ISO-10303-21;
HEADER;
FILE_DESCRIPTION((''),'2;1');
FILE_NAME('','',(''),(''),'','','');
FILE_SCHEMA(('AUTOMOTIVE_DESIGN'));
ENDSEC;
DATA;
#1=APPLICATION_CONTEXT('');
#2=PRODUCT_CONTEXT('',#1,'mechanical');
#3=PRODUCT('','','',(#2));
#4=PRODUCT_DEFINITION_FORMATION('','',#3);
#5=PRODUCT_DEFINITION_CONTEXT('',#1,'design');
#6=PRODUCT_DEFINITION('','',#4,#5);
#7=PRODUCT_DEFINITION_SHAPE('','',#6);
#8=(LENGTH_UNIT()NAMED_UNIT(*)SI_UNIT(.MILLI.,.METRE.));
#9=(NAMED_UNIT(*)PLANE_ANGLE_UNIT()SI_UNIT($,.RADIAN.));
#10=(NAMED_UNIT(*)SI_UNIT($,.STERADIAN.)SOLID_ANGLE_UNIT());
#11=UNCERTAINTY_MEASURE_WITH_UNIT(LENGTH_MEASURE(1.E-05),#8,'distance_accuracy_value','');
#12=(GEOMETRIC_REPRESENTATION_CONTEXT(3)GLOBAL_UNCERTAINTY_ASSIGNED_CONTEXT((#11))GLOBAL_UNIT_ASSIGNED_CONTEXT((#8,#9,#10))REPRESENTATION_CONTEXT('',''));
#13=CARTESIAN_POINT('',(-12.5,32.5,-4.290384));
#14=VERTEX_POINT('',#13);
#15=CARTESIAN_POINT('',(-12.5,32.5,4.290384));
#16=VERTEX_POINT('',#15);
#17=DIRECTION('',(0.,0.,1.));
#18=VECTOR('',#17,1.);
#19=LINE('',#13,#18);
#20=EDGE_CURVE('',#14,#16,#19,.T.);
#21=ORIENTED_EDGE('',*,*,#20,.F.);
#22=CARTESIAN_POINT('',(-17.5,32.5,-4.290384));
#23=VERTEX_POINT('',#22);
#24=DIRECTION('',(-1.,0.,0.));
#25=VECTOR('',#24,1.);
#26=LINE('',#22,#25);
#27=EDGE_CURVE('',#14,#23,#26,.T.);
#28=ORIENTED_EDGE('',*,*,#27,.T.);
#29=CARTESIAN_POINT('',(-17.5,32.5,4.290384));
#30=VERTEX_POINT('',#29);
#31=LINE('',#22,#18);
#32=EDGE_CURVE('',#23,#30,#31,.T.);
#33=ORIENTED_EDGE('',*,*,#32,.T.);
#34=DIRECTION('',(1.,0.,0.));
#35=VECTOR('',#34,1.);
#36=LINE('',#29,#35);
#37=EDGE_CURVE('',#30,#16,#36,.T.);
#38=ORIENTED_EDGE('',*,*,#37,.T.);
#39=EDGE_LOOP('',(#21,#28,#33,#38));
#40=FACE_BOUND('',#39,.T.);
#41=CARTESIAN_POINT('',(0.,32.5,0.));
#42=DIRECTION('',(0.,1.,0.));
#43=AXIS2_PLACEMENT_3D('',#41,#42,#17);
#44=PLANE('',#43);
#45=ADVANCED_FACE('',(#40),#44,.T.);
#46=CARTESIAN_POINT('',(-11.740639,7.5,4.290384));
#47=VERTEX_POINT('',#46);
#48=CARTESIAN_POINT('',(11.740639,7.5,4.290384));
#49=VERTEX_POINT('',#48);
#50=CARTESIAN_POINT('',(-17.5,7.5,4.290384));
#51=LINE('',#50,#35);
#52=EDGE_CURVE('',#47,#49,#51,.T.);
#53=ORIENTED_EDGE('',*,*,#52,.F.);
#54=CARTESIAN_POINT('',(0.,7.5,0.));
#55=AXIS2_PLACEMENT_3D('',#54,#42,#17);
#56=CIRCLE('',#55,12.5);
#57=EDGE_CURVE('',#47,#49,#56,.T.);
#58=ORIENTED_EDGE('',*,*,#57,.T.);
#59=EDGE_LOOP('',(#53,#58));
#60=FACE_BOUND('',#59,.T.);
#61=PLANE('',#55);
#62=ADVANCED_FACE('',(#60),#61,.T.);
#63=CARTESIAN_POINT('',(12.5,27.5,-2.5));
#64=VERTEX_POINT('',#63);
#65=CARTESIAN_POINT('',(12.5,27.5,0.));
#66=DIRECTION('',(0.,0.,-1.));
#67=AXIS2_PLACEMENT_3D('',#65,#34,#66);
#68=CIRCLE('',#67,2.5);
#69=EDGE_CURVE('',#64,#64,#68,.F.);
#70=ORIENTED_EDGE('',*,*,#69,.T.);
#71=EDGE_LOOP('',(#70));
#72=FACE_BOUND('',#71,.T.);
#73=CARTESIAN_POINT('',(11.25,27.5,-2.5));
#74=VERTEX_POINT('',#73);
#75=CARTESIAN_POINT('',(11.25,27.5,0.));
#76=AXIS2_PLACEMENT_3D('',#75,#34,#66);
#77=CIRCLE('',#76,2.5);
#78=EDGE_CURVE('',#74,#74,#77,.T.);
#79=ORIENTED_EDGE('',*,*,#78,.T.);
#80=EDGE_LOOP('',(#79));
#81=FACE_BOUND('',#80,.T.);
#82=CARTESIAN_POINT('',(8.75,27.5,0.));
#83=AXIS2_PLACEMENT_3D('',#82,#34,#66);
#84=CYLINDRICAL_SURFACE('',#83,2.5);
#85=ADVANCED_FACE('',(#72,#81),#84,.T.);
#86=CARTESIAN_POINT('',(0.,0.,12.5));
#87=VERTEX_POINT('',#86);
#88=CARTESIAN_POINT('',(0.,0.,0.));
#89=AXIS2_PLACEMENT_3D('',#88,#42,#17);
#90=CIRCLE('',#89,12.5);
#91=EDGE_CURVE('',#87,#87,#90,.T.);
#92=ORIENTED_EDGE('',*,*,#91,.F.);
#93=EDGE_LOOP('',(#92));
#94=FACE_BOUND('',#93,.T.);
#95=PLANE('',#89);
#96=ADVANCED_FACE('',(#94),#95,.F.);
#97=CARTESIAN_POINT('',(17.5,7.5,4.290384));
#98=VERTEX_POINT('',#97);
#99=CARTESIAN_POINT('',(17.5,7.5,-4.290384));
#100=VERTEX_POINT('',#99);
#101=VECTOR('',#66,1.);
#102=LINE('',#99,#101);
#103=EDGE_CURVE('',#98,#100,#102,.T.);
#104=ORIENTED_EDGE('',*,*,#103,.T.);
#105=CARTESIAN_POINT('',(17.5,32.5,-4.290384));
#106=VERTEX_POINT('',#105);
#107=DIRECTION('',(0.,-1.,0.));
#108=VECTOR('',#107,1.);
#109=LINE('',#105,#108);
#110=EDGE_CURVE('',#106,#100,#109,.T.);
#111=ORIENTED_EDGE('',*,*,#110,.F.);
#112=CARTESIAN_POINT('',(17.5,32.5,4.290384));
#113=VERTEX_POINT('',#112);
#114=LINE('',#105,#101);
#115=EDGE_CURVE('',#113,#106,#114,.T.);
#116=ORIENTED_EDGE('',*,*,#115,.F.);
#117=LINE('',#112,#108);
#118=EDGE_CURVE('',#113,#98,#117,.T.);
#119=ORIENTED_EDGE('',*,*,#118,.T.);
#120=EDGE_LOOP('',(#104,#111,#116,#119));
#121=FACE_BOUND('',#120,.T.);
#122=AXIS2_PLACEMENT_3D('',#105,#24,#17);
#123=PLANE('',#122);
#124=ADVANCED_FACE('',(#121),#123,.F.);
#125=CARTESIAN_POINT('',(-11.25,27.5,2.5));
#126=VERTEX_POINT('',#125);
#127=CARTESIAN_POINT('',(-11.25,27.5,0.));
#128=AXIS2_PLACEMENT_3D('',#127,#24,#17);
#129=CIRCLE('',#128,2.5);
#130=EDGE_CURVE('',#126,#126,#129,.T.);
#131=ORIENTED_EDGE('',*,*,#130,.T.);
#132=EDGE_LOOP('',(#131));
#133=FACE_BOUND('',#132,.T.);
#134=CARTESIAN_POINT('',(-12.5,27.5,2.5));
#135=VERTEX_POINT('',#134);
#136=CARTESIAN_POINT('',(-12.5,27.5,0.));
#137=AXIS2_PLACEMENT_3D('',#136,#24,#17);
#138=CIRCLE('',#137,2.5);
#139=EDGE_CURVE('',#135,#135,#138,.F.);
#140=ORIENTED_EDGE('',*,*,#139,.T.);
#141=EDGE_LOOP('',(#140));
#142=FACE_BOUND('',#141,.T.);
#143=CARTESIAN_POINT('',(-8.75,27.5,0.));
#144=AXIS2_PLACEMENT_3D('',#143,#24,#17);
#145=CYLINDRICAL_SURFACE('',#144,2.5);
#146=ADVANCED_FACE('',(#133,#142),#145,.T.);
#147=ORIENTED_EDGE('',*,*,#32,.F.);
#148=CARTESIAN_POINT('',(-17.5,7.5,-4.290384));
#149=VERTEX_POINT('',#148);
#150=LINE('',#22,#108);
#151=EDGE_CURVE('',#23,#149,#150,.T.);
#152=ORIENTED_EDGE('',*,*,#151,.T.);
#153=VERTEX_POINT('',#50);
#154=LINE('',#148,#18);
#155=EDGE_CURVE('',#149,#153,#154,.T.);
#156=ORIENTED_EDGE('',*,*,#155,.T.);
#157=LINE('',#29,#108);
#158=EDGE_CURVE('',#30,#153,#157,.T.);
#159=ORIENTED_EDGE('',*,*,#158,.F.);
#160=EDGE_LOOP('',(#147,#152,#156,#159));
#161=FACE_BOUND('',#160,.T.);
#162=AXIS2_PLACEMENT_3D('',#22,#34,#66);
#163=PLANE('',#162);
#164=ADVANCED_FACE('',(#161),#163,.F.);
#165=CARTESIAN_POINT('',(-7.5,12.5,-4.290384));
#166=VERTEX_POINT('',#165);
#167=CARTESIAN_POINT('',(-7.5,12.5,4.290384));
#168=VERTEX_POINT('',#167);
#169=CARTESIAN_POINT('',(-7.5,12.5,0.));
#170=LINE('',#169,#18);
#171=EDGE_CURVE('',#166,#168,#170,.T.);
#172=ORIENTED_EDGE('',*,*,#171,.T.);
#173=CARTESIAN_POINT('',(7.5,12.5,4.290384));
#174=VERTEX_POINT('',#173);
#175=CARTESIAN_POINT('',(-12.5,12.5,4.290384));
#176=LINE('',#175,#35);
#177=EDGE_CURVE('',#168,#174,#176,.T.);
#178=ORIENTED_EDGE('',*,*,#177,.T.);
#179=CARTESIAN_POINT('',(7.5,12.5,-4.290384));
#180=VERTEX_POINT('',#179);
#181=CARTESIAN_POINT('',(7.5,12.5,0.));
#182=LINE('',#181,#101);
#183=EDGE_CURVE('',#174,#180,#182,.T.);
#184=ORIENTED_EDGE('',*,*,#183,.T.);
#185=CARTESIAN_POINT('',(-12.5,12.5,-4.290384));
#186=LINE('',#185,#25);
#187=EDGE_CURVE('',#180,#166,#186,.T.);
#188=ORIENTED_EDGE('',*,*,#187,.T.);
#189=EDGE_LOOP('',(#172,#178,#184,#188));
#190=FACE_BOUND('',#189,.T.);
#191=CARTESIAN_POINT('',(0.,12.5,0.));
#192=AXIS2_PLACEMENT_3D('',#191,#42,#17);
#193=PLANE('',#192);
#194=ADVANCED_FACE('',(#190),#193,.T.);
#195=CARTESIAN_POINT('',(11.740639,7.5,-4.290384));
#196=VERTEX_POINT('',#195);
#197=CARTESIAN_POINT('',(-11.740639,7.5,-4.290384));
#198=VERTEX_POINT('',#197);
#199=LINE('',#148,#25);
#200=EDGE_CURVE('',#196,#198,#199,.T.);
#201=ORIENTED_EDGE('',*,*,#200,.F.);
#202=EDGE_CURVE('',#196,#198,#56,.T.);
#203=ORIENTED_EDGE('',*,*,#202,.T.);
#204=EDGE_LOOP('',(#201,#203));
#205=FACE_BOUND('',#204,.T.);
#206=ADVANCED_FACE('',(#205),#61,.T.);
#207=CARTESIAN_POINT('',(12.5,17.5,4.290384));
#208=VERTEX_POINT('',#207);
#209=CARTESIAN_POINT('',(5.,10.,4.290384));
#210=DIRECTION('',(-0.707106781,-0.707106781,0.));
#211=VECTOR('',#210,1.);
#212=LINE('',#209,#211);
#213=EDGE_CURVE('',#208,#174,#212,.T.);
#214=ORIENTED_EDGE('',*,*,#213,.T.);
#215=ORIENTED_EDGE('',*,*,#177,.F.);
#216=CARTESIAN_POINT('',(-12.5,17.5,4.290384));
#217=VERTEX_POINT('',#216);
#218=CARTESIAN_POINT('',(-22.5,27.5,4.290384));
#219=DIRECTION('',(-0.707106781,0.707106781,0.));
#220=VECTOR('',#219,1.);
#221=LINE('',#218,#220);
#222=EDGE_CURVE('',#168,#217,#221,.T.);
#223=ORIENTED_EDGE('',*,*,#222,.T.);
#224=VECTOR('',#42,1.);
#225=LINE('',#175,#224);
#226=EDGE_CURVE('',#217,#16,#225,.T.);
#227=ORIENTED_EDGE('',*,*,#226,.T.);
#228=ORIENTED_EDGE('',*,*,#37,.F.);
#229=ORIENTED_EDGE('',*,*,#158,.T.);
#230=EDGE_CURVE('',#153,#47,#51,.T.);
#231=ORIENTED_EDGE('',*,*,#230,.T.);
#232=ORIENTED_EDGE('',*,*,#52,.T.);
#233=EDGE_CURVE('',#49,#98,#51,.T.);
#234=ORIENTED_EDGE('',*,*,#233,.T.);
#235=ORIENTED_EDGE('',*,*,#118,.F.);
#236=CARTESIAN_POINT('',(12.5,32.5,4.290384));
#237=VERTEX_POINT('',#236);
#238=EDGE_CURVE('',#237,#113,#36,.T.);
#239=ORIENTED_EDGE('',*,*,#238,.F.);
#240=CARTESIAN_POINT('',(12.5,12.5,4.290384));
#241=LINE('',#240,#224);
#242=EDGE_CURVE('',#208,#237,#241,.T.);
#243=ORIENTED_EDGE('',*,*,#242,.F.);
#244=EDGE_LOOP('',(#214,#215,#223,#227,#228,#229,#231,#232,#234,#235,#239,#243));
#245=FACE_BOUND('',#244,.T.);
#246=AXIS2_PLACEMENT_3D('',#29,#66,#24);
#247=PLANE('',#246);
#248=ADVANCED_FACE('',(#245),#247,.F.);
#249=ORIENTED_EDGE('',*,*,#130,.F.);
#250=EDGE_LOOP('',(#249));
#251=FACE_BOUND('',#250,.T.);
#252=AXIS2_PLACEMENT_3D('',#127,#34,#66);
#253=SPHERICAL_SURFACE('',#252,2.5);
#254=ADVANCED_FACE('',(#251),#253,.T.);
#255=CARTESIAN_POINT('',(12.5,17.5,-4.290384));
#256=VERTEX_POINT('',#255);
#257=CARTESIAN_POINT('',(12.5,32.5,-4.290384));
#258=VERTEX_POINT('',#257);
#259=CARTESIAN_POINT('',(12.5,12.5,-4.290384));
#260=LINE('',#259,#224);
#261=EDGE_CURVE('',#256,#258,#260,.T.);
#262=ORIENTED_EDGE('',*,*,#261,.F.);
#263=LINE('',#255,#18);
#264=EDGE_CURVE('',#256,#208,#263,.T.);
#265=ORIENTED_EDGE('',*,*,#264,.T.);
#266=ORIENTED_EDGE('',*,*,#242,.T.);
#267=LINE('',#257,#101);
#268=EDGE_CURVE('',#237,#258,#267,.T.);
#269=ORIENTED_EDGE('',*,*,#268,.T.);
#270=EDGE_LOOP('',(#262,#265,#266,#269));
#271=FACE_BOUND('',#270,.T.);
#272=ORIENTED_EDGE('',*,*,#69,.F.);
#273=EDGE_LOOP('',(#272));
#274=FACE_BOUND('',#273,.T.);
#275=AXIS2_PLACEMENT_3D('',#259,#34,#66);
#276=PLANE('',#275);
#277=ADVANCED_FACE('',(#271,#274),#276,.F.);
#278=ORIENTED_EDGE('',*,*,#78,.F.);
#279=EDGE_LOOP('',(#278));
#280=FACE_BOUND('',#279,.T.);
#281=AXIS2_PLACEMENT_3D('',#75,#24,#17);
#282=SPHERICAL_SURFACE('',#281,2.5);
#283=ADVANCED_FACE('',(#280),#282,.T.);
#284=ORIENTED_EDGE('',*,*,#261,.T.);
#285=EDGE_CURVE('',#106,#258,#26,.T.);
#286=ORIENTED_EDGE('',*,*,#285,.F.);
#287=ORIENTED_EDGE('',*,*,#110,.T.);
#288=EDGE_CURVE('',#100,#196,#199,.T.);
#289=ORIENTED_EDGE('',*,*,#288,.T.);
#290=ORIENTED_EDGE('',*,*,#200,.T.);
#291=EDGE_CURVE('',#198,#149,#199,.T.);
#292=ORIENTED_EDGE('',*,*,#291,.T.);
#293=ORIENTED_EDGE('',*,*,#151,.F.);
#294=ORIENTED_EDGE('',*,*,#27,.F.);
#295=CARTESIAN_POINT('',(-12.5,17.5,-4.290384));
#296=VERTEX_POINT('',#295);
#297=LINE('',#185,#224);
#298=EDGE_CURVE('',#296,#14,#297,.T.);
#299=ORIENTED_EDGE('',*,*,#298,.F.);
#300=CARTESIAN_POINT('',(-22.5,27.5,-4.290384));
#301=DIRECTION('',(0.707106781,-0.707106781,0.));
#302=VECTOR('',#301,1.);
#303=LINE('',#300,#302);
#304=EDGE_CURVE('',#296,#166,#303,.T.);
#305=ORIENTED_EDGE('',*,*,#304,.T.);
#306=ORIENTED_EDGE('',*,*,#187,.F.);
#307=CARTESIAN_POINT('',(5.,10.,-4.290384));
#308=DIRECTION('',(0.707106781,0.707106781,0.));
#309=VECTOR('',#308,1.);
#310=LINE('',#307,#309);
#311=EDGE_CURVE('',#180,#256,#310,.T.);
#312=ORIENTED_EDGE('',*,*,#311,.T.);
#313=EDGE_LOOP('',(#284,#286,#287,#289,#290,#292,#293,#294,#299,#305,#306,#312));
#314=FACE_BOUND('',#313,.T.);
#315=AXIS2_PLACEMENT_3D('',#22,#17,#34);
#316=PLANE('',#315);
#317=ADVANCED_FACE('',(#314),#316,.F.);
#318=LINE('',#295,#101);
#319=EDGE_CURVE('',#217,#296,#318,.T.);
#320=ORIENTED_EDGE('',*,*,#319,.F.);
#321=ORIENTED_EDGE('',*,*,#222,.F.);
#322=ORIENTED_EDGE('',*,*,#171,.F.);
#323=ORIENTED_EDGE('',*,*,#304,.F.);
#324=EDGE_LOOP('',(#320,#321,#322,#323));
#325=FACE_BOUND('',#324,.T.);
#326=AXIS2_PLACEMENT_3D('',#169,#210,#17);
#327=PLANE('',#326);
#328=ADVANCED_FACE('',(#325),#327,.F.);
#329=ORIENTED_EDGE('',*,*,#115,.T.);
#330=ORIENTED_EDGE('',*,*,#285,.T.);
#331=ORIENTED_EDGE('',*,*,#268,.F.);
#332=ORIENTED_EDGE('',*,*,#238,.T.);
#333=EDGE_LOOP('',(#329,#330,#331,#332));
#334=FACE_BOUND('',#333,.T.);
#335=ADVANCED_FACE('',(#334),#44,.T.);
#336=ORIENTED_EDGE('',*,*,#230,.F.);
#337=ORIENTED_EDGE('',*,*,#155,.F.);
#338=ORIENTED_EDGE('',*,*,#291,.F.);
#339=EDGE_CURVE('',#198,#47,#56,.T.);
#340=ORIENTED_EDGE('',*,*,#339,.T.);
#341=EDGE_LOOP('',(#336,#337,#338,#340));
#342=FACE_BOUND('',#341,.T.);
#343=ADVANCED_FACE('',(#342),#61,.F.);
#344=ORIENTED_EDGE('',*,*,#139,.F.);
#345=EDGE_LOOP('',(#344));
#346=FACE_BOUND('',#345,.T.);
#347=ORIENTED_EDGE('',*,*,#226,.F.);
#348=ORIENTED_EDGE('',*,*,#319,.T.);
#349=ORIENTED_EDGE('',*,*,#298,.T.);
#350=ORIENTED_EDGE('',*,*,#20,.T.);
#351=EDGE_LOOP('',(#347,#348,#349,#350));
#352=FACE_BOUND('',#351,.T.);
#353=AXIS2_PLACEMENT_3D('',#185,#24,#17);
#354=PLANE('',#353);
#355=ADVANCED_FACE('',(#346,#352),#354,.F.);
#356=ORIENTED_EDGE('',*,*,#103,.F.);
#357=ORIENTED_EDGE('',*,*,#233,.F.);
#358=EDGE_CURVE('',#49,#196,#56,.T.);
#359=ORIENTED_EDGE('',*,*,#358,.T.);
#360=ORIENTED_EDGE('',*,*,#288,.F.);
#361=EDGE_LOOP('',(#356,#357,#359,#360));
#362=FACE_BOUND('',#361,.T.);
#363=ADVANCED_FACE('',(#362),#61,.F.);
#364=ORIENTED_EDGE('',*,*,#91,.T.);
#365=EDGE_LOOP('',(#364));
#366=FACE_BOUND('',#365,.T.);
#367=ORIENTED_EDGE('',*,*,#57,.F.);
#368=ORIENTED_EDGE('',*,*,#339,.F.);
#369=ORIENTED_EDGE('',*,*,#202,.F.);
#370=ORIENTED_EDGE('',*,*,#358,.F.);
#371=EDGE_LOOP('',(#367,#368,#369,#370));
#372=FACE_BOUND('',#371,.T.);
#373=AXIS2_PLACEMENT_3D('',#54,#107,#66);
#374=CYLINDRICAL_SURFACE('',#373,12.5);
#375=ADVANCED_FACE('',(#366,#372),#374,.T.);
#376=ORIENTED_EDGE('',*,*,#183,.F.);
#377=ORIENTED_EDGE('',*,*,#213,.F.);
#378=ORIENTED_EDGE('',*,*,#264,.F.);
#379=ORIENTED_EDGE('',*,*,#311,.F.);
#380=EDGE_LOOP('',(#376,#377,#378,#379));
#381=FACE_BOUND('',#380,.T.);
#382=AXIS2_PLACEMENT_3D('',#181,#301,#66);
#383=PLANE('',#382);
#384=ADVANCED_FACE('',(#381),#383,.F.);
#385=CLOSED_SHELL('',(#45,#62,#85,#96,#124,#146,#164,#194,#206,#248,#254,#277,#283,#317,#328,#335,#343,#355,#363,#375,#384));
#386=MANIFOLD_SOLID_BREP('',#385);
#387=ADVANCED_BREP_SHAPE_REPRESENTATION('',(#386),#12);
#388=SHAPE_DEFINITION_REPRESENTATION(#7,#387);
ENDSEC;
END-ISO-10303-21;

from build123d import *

# Parameters (mm, degrees)
SKETCH1_R           = 12.5
BOSS_EXTRUDE1_DEPTH = 7.5
SKETCH2_W           = 35
SKETCH2_H           = 8.580767914
BOSS_EXTRUDE2_DEPTH = 25
SKETCH3_W           = 25
SKETCH3_H           = 8.580767914
CUT_EXTRUDE1_DEPTH  = 20
SKETCH4_R           = 2.5
BOSS_EXTRUDE3_DEPTH = 3.75
SKETCH5_R           = 2.5
BOSS_EXTRUDE4_DEPTH = 3.75
FILLET2_R           = 2.5
FILLET3_R           = 2.5
CHAMFER1_SIZE       = 5
CHAMFER2_SIZE       = 5


with BuildPart() as part:
    # Sketch1 → Boss-Extrude1 (new body)
    with BuildSketch(Plane(origin=(0, 0, 0), x_dir=(1, 0, 0), z_dir=(0, 1, 0))):
        Circle(SKETCH1_R)
    extrude(amount=BOSS_EXTRUDE1_DEPTH)

    # Sketch2 → Boss-Extrude2 (add)
    with BuildSketch(Plane(origin=(0, 7.5, 0), x_dir=(1, 0, 0), z_dir=(0, 1, 0))):
        Rectangle(SKETCH2_W, SKETCH2_H)
    extrude(amount=BOSS_EXTRUDE2_DEPTH)

    # Sketch3 → Cut-Extrude1 (cut)
    with BuildSketch(Plane(origin=(0, 32.5, 0), x_dir=(1, 0, 0), z_dir=(0, 1, 0))):
        Rectangle(SKETCH3_W, SKETCH3_H)
    extrude(amount=-CUT_EXTRUDE1_DEPTH, mode=Mode.SUBTRACT)

    # Sketch4 → Boss-Extrude3 (add)
    with BuildSketch(Plane(origin=(-12.5, 0, 0), x_dir=(0, 0, -1), z_dir=(1, 0, 0))):
        with Locations((0, 27.5)):
            Circle(SKETCH4_R)
    extrude(amount=BOSS_EXTRUDE3_DEPTH)

    # Sketch5 → Boss-Extrude4 (add)
    with BuildSketch(Plane.ZY.offset(-12.5)):
        with Locations((0, 27.5)):
            Circle(SKETCH5_R)
    extrude(amount=BOSS_EXTRUDE4_DEPTH)

    # Fillet2
    fillet2_edges = [part.edges().sort_by_distance(p)[0] for p in [
        (-8.75, 27.5, 2.5),
    ]]
    fillet(fillet2_edges, radius=FILLET2_R)

    # Fillet3
    fillet3_edges = [part.edges().sort_by_distance(p)[0] for p in [
        (8.75, 27.5, -2.5),
    ]]
    fillet(fillet3_edges, radius=FILLET3_R)

    # Chamfer1
    chamfer1_edges = [part.edges().sort_by_distance(p)[0] for p in [
        (-12.5, 12.5, 0),
    ]]
    chamfer(chamfer1_edges, length=CHAMFER1_SIZE)

    # Chamfer2
    chamfer2_edges = [part.edges().sort_by_distance(p)[0] for p in [
        (12.5, 12.5, 0),
    ]]
    chamfer(chamfer2_edges, length=CHAMFER2_SIZE)


solid = part.part
